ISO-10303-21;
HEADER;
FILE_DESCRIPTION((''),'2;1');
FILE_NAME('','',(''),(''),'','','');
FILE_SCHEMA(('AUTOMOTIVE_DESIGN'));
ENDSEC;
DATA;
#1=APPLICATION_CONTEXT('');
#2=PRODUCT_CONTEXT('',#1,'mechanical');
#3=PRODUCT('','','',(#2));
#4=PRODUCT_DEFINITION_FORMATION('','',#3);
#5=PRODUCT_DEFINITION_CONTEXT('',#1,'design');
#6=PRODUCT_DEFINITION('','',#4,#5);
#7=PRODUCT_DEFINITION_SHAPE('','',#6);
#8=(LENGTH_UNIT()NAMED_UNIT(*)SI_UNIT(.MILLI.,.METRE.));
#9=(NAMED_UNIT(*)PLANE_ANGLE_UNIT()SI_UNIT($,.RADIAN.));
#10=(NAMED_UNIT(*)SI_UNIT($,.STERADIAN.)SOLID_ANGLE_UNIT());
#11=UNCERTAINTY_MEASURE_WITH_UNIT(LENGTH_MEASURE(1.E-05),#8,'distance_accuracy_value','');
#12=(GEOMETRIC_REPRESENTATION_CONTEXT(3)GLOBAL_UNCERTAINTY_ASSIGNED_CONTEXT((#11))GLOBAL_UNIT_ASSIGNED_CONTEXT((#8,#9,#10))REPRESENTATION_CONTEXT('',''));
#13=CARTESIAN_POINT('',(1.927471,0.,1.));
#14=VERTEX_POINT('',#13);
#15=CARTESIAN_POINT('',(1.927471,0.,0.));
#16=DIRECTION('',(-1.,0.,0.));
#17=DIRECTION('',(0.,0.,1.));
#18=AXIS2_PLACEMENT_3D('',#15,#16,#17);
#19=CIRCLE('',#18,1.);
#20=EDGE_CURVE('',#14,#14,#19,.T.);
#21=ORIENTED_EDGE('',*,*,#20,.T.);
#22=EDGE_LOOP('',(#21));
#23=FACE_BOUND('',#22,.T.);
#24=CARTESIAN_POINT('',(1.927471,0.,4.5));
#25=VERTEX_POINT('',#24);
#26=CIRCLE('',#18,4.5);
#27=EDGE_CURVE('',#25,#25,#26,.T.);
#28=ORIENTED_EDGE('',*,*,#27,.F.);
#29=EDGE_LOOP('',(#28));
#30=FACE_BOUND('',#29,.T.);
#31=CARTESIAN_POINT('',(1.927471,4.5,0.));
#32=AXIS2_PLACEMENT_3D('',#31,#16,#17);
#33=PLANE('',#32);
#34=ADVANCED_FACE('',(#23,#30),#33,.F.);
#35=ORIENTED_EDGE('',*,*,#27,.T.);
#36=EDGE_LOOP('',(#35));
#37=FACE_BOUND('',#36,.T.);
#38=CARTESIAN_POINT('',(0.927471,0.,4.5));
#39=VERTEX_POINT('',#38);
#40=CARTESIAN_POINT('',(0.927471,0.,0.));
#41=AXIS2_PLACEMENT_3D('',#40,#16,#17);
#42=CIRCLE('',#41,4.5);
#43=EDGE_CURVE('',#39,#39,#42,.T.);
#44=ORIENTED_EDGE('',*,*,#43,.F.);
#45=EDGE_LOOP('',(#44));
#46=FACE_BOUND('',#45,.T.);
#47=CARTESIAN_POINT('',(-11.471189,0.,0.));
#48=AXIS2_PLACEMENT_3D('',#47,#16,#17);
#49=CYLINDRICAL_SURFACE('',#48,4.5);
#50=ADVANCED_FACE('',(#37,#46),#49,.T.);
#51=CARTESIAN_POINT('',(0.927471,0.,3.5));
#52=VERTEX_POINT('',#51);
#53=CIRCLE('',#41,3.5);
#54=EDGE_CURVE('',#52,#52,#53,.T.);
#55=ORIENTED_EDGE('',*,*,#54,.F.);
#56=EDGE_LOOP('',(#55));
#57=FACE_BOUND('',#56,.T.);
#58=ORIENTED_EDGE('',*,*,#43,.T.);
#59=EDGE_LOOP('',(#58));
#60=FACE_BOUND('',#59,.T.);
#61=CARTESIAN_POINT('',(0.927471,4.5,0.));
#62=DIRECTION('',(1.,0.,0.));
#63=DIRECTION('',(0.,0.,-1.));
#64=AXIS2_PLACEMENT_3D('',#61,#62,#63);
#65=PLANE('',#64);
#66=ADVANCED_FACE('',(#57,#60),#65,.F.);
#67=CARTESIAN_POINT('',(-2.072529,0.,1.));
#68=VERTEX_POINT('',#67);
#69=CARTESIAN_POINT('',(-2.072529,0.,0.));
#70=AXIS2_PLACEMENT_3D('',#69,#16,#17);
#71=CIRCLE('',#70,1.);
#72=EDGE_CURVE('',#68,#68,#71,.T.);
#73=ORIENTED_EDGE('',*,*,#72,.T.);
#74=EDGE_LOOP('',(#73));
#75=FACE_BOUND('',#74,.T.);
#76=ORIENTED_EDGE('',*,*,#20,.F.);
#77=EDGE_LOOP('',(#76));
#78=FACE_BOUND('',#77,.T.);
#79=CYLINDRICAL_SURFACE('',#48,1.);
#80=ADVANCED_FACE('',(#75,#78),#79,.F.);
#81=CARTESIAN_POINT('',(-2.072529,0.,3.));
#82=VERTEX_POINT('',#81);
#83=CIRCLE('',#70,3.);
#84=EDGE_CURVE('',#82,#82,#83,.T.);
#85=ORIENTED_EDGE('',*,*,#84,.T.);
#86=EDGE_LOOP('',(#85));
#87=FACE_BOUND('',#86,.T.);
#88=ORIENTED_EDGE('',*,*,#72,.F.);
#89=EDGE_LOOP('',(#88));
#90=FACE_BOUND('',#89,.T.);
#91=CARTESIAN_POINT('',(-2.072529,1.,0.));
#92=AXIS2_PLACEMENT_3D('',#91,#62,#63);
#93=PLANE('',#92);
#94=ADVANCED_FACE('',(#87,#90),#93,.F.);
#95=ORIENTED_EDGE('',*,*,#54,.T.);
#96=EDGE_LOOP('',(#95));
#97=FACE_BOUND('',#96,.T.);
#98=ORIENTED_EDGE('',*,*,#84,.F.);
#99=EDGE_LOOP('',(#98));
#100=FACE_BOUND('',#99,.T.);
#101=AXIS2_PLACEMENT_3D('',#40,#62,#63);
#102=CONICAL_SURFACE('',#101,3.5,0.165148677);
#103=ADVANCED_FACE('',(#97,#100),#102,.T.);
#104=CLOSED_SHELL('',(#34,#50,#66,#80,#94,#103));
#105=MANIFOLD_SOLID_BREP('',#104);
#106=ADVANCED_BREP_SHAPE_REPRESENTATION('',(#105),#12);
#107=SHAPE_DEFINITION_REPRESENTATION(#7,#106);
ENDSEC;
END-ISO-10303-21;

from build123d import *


with BuildPart() as part:
    # Sketch1 → Revolve1 (revolve)
    with BuildSketch(Plane.XY):
        Polygon((0.927471423, 4.5), (1.927471423, 4.5), (1.927471423, 1), (-2.072528577, 1), (-2.072528577, 3), (0.927471423, 3.5), align=None)
    revolve(axis=Axis((-11.471189379, 0, 0), (1, 0, 0)))


solid = part.part
